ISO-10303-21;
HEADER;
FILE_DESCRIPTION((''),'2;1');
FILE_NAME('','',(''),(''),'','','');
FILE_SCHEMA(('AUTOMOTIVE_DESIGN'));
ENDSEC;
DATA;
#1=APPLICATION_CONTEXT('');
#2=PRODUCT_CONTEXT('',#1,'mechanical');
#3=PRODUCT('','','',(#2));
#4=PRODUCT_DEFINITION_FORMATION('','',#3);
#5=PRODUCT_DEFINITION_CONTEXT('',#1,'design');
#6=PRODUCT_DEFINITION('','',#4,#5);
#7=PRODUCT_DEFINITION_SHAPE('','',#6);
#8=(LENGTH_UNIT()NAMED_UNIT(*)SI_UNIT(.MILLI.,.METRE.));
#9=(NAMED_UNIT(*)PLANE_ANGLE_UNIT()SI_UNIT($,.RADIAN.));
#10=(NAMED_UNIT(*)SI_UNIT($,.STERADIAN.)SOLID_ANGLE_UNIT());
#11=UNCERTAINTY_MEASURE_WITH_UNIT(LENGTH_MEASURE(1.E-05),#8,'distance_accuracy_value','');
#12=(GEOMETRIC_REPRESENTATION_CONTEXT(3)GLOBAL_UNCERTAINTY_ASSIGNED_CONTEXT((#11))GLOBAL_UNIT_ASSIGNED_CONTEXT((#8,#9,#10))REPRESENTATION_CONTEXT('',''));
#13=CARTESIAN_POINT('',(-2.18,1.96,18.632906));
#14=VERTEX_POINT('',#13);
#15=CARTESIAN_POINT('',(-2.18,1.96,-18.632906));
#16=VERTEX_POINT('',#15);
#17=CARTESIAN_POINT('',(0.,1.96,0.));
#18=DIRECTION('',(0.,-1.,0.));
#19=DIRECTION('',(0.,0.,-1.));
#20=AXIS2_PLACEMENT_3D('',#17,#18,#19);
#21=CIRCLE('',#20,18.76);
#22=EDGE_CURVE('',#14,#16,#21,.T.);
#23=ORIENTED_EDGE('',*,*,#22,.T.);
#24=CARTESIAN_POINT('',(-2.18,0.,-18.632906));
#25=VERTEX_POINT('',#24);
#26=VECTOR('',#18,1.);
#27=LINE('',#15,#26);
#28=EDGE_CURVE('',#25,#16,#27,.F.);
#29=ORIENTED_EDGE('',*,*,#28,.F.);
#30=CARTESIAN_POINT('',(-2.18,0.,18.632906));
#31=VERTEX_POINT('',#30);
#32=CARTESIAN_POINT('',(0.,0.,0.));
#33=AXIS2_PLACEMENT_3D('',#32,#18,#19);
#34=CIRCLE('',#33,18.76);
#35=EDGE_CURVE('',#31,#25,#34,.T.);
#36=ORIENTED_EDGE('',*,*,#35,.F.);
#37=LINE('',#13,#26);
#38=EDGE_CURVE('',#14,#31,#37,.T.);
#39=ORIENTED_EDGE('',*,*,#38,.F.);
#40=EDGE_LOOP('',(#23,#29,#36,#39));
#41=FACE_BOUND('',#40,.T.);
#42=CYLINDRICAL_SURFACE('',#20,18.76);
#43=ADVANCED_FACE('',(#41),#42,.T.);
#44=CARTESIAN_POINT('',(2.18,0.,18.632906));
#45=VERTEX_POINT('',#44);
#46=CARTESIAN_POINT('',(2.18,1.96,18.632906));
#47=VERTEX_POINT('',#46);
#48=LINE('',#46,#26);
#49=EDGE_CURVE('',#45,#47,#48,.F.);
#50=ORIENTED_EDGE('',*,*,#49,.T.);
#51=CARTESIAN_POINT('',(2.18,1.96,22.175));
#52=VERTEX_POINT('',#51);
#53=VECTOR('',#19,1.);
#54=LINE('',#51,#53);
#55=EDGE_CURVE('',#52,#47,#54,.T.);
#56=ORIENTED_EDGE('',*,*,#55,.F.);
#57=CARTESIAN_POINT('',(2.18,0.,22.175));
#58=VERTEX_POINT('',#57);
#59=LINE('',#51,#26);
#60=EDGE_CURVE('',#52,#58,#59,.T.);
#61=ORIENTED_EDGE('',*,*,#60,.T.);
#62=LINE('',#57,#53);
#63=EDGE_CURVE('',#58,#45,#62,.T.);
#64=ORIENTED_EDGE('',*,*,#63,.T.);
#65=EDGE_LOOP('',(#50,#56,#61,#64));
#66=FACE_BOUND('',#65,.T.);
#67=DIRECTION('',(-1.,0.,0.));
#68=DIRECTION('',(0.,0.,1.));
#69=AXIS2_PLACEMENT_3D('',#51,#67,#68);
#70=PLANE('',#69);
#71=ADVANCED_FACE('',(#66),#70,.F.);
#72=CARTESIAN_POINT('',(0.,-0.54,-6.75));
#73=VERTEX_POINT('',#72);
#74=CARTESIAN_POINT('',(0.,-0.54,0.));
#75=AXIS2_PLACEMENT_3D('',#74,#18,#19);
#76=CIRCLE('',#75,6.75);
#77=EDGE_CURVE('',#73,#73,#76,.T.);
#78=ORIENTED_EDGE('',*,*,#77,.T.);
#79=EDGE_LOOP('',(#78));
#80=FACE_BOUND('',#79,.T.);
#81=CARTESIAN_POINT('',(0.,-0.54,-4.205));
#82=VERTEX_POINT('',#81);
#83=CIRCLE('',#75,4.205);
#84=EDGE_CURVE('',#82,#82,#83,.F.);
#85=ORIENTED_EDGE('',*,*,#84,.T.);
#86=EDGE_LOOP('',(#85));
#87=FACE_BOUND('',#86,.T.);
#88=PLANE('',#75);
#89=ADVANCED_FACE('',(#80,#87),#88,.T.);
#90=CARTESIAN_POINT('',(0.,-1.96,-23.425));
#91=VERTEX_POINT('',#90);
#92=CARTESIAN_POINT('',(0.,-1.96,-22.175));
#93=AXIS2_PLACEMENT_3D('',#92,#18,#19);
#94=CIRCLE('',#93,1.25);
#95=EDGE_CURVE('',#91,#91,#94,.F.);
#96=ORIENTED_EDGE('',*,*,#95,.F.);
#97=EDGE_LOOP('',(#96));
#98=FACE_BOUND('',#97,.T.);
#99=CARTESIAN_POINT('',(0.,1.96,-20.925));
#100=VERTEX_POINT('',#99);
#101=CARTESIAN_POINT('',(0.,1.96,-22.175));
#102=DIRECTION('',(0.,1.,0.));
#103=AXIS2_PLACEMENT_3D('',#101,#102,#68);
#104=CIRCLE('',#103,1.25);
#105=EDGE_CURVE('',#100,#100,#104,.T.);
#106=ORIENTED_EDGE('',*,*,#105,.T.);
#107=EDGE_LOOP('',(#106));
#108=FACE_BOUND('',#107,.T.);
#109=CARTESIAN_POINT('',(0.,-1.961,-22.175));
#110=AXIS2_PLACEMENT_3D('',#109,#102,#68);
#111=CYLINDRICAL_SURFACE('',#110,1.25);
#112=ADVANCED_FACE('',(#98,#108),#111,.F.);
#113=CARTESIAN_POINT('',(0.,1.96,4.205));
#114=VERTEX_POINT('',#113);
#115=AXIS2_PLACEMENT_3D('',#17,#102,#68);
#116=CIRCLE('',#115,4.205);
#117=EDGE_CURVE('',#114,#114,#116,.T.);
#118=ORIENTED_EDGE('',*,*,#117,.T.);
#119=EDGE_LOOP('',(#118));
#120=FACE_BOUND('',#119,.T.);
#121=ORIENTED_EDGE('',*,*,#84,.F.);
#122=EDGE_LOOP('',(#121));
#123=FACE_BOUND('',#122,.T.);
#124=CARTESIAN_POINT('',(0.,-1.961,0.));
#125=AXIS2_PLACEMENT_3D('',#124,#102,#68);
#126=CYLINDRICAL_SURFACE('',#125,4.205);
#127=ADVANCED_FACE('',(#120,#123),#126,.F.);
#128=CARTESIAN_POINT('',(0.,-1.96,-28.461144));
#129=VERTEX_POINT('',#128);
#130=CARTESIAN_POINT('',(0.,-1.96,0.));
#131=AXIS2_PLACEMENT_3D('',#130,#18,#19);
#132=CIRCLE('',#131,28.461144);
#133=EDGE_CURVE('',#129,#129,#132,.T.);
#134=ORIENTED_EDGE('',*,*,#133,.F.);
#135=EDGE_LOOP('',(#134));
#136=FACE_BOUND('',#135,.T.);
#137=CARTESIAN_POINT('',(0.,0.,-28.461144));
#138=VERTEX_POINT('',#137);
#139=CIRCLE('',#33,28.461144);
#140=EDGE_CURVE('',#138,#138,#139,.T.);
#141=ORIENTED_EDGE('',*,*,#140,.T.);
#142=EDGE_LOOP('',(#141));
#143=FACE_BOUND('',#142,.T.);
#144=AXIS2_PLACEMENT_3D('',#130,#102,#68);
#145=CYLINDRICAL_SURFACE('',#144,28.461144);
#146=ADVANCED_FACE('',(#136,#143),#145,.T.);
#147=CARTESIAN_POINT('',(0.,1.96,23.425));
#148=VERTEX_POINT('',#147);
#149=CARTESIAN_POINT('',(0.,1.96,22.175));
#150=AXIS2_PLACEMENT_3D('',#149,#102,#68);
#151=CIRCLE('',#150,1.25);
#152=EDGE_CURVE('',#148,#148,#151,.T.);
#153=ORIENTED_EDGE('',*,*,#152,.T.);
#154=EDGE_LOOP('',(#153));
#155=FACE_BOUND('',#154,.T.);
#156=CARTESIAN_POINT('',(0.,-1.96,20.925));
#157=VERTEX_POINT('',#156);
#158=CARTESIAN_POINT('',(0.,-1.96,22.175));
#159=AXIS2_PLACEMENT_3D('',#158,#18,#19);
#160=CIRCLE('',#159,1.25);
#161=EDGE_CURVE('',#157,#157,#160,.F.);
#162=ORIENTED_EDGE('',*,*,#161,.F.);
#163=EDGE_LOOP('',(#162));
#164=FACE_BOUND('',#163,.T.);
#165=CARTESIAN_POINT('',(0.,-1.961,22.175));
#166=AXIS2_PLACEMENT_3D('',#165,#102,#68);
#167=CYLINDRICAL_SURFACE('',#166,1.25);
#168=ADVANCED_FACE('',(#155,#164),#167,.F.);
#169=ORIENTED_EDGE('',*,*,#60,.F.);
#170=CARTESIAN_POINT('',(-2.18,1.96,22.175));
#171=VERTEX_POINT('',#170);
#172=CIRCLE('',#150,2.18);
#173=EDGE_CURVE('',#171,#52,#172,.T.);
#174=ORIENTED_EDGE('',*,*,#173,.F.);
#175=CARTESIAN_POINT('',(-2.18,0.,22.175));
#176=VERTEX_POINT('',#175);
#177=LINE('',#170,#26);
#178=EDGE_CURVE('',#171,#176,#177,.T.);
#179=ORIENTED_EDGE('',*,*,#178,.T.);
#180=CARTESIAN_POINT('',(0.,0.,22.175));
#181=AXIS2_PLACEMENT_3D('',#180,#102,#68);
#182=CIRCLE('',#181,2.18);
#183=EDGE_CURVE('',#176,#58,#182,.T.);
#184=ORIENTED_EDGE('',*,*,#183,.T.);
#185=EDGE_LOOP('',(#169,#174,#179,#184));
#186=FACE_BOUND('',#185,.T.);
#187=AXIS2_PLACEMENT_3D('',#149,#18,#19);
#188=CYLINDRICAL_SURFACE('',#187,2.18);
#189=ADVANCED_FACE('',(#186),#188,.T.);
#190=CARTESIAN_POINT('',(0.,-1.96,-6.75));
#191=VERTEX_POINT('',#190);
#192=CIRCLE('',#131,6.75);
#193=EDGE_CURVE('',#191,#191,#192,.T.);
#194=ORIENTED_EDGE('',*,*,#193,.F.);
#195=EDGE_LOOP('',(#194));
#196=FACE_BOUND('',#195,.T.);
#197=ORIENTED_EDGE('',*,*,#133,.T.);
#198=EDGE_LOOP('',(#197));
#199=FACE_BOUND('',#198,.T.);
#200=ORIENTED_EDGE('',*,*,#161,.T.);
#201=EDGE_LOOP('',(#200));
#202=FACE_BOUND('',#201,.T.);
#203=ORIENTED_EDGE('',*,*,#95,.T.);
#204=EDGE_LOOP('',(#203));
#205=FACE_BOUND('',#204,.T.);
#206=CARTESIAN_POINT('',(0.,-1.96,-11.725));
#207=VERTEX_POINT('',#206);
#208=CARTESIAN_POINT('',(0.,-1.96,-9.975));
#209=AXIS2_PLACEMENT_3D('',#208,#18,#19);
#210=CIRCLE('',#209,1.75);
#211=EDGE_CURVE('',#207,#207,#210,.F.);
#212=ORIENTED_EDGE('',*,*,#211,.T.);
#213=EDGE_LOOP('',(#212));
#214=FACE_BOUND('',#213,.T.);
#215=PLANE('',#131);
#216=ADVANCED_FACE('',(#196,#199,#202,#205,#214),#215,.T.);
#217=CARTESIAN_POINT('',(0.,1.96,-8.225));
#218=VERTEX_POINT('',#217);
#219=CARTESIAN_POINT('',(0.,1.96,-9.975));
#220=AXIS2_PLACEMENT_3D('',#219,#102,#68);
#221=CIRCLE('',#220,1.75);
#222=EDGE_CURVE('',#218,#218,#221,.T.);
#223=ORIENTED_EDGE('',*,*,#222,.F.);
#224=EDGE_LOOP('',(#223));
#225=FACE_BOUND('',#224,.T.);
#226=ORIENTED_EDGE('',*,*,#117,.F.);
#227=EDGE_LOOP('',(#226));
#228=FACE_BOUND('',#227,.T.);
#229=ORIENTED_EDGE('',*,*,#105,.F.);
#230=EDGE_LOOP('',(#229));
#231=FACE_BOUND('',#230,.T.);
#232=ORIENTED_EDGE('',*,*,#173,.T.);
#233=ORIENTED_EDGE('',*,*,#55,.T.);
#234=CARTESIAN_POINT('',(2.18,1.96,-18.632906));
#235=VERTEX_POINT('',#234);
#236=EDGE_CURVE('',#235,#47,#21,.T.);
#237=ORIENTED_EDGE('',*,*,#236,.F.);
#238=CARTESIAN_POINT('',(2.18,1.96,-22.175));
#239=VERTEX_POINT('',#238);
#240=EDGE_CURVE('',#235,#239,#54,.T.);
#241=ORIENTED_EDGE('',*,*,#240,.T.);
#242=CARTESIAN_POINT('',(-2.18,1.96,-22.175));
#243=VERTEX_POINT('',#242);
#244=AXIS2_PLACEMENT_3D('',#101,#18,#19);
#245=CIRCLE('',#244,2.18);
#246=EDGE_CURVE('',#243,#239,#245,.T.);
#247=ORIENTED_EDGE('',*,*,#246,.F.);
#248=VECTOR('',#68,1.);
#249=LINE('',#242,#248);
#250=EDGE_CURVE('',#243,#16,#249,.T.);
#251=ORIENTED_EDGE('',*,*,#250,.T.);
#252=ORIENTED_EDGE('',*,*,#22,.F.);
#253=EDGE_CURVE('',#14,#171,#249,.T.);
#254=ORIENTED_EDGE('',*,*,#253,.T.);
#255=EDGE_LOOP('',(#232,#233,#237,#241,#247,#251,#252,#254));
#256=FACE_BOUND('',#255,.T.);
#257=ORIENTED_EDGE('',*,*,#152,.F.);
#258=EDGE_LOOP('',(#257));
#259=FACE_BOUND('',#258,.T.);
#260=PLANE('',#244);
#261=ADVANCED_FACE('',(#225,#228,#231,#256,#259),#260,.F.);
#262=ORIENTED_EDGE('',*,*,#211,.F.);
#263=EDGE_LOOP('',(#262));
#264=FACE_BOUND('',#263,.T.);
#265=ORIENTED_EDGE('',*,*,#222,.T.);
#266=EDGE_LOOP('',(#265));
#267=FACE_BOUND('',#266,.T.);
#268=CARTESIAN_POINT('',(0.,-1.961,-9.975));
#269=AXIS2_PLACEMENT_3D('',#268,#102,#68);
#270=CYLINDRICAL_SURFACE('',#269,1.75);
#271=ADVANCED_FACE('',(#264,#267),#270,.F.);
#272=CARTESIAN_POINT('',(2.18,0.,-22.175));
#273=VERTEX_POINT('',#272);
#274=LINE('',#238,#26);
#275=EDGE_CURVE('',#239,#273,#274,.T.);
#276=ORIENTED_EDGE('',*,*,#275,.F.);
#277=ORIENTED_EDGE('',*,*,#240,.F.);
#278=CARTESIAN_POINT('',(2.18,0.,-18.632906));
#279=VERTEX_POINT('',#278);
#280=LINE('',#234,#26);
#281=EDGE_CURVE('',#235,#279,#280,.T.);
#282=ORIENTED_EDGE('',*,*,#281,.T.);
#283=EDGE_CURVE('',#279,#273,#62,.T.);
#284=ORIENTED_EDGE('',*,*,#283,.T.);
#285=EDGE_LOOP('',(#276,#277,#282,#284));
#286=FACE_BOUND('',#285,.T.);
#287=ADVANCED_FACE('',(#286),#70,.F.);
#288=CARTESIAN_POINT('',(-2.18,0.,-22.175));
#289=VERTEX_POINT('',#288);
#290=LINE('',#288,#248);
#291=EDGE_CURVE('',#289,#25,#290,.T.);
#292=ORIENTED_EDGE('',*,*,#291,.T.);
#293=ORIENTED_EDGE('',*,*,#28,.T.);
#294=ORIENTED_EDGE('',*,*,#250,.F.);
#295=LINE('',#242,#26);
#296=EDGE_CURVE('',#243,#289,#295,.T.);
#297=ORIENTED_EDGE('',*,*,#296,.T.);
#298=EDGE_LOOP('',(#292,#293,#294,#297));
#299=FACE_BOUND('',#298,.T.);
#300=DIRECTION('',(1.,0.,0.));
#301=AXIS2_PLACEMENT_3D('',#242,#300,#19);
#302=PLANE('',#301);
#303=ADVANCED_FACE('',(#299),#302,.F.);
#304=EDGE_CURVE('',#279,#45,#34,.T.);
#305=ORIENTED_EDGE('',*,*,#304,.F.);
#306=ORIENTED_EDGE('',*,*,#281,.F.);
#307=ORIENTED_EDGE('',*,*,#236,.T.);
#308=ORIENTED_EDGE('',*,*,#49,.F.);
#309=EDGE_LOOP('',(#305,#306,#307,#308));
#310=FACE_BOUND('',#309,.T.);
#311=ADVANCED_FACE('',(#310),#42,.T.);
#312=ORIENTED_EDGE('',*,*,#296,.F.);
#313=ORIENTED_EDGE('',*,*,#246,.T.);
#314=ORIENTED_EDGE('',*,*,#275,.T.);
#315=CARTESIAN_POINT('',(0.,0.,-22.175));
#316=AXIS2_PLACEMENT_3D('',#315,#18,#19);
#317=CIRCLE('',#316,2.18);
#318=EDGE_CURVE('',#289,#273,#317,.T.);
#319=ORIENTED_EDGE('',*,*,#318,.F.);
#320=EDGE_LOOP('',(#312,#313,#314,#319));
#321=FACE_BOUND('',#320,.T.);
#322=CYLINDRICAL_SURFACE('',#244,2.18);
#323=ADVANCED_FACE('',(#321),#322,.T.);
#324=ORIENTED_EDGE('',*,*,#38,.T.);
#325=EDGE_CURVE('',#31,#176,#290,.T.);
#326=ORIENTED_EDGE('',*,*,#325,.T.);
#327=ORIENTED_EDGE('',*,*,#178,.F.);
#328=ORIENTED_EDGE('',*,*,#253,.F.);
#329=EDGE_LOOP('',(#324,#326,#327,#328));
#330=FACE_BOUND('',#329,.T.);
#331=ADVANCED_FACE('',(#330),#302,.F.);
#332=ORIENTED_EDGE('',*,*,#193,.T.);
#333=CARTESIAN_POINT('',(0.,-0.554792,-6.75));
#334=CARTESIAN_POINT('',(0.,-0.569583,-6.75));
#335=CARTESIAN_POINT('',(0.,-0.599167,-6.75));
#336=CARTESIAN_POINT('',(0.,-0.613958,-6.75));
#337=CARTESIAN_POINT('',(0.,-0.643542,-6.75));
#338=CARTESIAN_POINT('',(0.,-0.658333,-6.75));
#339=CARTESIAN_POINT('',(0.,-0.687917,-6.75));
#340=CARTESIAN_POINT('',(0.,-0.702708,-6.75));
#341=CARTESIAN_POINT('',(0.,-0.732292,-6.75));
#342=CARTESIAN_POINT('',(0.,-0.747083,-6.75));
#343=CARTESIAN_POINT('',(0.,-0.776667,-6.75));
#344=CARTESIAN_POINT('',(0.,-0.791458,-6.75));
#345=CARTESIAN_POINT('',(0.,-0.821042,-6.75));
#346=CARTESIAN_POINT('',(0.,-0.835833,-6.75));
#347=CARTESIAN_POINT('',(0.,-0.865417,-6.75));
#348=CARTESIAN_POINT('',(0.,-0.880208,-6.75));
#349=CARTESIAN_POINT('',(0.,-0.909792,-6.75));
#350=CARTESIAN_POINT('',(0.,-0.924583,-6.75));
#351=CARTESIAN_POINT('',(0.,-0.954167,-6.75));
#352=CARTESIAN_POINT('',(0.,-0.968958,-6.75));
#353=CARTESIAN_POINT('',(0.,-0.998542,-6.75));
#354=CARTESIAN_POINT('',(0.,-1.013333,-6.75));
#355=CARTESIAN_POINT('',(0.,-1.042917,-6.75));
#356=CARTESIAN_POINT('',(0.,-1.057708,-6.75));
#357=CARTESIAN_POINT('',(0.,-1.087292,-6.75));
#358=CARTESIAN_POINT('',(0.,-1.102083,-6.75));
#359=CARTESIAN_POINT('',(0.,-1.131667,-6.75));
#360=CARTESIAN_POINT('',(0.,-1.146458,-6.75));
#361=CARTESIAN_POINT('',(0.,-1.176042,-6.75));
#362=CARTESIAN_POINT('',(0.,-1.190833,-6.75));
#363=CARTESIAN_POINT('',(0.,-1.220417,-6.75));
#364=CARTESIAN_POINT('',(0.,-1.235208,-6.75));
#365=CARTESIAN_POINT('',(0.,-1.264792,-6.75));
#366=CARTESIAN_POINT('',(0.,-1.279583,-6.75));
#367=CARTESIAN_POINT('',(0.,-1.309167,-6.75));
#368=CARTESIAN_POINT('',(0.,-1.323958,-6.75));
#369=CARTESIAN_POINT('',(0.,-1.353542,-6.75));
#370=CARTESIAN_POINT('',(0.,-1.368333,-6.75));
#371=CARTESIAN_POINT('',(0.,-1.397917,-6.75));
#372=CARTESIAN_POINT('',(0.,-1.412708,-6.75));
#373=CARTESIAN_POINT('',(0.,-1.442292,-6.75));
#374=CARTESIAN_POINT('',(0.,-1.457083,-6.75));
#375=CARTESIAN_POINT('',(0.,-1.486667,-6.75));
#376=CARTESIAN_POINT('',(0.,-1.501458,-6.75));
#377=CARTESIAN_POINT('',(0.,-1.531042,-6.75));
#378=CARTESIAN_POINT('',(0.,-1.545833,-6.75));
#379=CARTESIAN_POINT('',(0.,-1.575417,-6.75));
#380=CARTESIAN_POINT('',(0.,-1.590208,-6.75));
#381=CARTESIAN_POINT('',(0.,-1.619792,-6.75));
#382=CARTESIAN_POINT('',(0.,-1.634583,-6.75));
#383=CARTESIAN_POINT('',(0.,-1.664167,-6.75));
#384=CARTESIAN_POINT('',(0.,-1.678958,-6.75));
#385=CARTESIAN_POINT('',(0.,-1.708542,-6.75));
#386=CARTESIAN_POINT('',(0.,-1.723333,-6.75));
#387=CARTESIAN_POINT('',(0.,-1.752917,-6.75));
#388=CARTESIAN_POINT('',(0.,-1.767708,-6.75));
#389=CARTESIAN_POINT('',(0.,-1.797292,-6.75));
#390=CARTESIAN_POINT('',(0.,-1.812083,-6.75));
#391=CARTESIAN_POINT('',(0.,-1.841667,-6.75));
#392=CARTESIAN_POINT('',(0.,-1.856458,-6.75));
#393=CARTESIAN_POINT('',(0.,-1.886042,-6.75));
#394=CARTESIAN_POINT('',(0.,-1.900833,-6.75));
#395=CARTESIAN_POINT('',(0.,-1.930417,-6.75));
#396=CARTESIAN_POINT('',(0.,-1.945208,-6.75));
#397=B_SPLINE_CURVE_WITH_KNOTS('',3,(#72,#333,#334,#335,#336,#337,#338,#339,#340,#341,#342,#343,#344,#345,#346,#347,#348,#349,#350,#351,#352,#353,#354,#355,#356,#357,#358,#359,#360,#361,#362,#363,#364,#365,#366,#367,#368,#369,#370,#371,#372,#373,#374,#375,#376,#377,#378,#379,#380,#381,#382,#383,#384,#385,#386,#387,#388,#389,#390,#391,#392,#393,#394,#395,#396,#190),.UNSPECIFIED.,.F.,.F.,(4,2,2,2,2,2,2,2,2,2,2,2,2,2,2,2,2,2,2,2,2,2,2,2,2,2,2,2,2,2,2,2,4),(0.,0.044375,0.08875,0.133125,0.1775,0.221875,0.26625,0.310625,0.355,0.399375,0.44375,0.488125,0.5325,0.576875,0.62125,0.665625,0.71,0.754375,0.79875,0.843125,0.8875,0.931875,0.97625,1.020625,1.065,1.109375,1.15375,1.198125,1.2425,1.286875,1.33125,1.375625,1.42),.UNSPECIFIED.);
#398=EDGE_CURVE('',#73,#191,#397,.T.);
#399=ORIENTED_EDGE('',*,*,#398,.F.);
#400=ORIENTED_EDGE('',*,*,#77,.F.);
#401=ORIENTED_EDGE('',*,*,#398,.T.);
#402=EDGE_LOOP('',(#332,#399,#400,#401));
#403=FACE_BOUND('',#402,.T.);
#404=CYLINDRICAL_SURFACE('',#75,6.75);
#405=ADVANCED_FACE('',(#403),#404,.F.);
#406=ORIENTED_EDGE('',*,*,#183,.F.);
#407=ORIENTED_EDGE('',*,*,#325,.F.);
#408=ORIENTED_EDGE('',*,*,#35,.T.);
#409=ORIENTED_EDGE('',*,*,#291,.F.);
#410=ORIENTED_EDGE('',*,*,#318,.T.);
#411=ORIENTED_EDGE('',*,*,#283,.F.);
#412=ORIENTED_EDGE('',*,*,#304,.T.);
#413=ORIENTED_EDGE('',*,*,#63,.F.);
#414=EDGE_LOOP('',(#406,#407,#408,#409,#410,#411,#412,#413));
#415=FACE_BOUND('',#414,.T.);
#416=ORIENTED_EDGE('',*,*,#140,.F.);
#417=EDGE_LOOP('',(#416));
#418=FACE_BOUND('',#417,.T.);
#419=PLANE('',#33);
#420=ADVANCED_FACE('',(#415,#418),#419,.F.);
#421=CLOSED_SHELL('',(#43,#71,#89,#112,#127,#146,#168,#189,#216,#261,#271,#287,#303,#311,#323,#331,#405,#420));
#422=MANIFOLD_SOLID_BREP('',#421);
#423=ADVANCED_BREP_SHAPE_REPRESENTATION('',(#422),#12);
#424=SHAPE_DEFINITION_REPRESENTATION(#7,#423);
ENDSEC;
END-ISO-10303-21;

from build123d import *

# Parameters (mm, degrees)
BOSS_EXTRUDE1_DEPTH = 1.96
SKETCH2_R           = 18.76
BOSS_EXTRUDE2_DEPTH = 1.96
SKETCH3_R           = 28.461143805
BOSS_EXTRUDE3_DEPTH = 1.96
CUT_EXTRUDE1_REACH  = 42.441
SKETCH4_R           = 1.25
CUT_EXTRUDE2_REACH  = 42.441
SKETCH5_R           = 4.205
SKETCH5_R_2         = 1.75
SKETCH6_R           = 6.75
CUT_EXTRUDE3_DEPTH  = 1.42


with BuildPart() as part:
    # Sketch1 → Boss-Extrude1 (new body)
    with BuildSketch(Plane(origin=(0, 0, 0), x_dir=(1, 0, 0), z_dir=(0, 1, 0))):
        with BuildLine():
            Line((-2.18, 22.175), (-2.18, -22.175))
            ThreePointArc((-2.18, -22.175), (0, -24.355), (2.18, -22.175))
            Line((2.18, -22.175), (2.18, 22.175))
            ThreePointArc((2.18, 22.175), (0, 24.355), (-2.18, 22.175))
        make_face()
    extrude(amount=BOSS_EXTRUDE1_DEPTH)

    # Sketch2 → Boss-Extrude2 (add)
    with BuildSketch(Plane.XZ):
        Circle(SKETCH2_R)
    extrude(amount=-BOSS_EXTRUDE2_DEPTH)

    # Sketch3 → Boss-Extrude3 (add)
    with BuildSketch(Plane.XZ):
        with Locations(Location((0, 0, 0), (0, 0, 270))):
            Circle(SKETCH3_R)
    extrude(amount=BOSS_EXTRUDE3_DEPTH)

    # Sketch4 → Cut-Extrude1 (cut, up to next)
    with BuildSketch(Plane(origin=(0, 1.96, 0), x_dir=(1, 0, 0), z_dir=(0, 1, 0)), mode=Mode.PRIVATE) as cut_extrude1_sk1:
        with Locations(Location((0, 22.175, 0), (0, 0, 270))):
            Circle(SKETCH4_R)
    cut_extrude1_tool1 = extrude(cut_extrude1_sk1.sketch, amount=-CUT_EXTRUDE1_REACH, mode=Mode.PRIVATE) & part.part
    # Sketch4 → Cut-Extrude1 (cut, up to next)
    with BuildSketch(Plane(origin=(0, 1.96, 0), x_dir=(1, 0, 0), z_dir=(0, 1, 0)), mode=Mode.PRIVATE) as cut_extrude1_sk2:
        with Locations(Location((0, -22.175, 0), (0, 0, 270))):
            Circle(SKETCH4_R)
    cut_extrude1_tool2 = extrude(cut_extrude1_sk2.sketch, amount=-CUT_EXTRUDE1_REACH, mode=Mode.PRIVATE) & part.part
    add(cut_extrude1_tool1.solids().sort_by_distance((0, 1.96, -22.175))[0], mode=Mode.SUBTRACT)
    add(cut_extrude1_tool2.solids().sort_by_distance((0, 1.96, 22.175))[0], mode=Mode.SUBTRACT)

    # Sketch5 → Cut-Extrude2 (cut, up to next)
    with BuildSketch(Plane(origin=(0, 1.96, 0), x_dir=(1, 0, 0), z_dir=(0, 1, 0)), mode=Mode.PRIVATE) as cut_extrude2_sk1:
        with Locations(Location((0, 0, 0), (0, 0, 270))):
            Circle(SKETCH5_R)
    cut_extrude2_tool1 = extrude(cut_extrude2_sk1.sketch, amount=-CUT_EXTRUDE2_REACH, mode=Mode.PRIVATE) & part.part
    # Sketch5 → Cut-Extrude2 (cut, up to next)
    with BuildSketch(Plane(origin=(0, 1.96, 0), x_dir=(1, 0, 0), z_dir=(0, 1, 0)), mode=Mode.PRIVATE) as cut_extrude2_sk2:
        with Locations(Location((0, 9.975, 0), (0, 0, 270))):
            Circle(SKETCH5_R_2)
    cut_extrude2_tool2 = extrude(cut_extrude2_sk2.sketch, amount=-CUT_EXTRUDE2_REACH, mode=Mode.PRIVATE) & part.part
    add(cut_extrude2_tool1.solids().sort_by_distance((0, 1.96, 0))[0], mode=Mode.SUBTRACT)
    add(cut_extrude2_tool2.solids().sort_by_distance((0, 1.96, -9.975))[0], mode=Mode.SUBTRACT)

    # Sketch6 → Cut-Extrude3 (cut)
    with BuildSketch(Plane.XZ.offset(1.96)):
        with Locations(Location((0, 0, 0), (0, 0, 270))):
            Circle(SKETCH6_R)
    extrude(amount=-CUT_EXTRUDE3_DEPTH, mode=Mode.SUBTRACT)


solid = part.part
